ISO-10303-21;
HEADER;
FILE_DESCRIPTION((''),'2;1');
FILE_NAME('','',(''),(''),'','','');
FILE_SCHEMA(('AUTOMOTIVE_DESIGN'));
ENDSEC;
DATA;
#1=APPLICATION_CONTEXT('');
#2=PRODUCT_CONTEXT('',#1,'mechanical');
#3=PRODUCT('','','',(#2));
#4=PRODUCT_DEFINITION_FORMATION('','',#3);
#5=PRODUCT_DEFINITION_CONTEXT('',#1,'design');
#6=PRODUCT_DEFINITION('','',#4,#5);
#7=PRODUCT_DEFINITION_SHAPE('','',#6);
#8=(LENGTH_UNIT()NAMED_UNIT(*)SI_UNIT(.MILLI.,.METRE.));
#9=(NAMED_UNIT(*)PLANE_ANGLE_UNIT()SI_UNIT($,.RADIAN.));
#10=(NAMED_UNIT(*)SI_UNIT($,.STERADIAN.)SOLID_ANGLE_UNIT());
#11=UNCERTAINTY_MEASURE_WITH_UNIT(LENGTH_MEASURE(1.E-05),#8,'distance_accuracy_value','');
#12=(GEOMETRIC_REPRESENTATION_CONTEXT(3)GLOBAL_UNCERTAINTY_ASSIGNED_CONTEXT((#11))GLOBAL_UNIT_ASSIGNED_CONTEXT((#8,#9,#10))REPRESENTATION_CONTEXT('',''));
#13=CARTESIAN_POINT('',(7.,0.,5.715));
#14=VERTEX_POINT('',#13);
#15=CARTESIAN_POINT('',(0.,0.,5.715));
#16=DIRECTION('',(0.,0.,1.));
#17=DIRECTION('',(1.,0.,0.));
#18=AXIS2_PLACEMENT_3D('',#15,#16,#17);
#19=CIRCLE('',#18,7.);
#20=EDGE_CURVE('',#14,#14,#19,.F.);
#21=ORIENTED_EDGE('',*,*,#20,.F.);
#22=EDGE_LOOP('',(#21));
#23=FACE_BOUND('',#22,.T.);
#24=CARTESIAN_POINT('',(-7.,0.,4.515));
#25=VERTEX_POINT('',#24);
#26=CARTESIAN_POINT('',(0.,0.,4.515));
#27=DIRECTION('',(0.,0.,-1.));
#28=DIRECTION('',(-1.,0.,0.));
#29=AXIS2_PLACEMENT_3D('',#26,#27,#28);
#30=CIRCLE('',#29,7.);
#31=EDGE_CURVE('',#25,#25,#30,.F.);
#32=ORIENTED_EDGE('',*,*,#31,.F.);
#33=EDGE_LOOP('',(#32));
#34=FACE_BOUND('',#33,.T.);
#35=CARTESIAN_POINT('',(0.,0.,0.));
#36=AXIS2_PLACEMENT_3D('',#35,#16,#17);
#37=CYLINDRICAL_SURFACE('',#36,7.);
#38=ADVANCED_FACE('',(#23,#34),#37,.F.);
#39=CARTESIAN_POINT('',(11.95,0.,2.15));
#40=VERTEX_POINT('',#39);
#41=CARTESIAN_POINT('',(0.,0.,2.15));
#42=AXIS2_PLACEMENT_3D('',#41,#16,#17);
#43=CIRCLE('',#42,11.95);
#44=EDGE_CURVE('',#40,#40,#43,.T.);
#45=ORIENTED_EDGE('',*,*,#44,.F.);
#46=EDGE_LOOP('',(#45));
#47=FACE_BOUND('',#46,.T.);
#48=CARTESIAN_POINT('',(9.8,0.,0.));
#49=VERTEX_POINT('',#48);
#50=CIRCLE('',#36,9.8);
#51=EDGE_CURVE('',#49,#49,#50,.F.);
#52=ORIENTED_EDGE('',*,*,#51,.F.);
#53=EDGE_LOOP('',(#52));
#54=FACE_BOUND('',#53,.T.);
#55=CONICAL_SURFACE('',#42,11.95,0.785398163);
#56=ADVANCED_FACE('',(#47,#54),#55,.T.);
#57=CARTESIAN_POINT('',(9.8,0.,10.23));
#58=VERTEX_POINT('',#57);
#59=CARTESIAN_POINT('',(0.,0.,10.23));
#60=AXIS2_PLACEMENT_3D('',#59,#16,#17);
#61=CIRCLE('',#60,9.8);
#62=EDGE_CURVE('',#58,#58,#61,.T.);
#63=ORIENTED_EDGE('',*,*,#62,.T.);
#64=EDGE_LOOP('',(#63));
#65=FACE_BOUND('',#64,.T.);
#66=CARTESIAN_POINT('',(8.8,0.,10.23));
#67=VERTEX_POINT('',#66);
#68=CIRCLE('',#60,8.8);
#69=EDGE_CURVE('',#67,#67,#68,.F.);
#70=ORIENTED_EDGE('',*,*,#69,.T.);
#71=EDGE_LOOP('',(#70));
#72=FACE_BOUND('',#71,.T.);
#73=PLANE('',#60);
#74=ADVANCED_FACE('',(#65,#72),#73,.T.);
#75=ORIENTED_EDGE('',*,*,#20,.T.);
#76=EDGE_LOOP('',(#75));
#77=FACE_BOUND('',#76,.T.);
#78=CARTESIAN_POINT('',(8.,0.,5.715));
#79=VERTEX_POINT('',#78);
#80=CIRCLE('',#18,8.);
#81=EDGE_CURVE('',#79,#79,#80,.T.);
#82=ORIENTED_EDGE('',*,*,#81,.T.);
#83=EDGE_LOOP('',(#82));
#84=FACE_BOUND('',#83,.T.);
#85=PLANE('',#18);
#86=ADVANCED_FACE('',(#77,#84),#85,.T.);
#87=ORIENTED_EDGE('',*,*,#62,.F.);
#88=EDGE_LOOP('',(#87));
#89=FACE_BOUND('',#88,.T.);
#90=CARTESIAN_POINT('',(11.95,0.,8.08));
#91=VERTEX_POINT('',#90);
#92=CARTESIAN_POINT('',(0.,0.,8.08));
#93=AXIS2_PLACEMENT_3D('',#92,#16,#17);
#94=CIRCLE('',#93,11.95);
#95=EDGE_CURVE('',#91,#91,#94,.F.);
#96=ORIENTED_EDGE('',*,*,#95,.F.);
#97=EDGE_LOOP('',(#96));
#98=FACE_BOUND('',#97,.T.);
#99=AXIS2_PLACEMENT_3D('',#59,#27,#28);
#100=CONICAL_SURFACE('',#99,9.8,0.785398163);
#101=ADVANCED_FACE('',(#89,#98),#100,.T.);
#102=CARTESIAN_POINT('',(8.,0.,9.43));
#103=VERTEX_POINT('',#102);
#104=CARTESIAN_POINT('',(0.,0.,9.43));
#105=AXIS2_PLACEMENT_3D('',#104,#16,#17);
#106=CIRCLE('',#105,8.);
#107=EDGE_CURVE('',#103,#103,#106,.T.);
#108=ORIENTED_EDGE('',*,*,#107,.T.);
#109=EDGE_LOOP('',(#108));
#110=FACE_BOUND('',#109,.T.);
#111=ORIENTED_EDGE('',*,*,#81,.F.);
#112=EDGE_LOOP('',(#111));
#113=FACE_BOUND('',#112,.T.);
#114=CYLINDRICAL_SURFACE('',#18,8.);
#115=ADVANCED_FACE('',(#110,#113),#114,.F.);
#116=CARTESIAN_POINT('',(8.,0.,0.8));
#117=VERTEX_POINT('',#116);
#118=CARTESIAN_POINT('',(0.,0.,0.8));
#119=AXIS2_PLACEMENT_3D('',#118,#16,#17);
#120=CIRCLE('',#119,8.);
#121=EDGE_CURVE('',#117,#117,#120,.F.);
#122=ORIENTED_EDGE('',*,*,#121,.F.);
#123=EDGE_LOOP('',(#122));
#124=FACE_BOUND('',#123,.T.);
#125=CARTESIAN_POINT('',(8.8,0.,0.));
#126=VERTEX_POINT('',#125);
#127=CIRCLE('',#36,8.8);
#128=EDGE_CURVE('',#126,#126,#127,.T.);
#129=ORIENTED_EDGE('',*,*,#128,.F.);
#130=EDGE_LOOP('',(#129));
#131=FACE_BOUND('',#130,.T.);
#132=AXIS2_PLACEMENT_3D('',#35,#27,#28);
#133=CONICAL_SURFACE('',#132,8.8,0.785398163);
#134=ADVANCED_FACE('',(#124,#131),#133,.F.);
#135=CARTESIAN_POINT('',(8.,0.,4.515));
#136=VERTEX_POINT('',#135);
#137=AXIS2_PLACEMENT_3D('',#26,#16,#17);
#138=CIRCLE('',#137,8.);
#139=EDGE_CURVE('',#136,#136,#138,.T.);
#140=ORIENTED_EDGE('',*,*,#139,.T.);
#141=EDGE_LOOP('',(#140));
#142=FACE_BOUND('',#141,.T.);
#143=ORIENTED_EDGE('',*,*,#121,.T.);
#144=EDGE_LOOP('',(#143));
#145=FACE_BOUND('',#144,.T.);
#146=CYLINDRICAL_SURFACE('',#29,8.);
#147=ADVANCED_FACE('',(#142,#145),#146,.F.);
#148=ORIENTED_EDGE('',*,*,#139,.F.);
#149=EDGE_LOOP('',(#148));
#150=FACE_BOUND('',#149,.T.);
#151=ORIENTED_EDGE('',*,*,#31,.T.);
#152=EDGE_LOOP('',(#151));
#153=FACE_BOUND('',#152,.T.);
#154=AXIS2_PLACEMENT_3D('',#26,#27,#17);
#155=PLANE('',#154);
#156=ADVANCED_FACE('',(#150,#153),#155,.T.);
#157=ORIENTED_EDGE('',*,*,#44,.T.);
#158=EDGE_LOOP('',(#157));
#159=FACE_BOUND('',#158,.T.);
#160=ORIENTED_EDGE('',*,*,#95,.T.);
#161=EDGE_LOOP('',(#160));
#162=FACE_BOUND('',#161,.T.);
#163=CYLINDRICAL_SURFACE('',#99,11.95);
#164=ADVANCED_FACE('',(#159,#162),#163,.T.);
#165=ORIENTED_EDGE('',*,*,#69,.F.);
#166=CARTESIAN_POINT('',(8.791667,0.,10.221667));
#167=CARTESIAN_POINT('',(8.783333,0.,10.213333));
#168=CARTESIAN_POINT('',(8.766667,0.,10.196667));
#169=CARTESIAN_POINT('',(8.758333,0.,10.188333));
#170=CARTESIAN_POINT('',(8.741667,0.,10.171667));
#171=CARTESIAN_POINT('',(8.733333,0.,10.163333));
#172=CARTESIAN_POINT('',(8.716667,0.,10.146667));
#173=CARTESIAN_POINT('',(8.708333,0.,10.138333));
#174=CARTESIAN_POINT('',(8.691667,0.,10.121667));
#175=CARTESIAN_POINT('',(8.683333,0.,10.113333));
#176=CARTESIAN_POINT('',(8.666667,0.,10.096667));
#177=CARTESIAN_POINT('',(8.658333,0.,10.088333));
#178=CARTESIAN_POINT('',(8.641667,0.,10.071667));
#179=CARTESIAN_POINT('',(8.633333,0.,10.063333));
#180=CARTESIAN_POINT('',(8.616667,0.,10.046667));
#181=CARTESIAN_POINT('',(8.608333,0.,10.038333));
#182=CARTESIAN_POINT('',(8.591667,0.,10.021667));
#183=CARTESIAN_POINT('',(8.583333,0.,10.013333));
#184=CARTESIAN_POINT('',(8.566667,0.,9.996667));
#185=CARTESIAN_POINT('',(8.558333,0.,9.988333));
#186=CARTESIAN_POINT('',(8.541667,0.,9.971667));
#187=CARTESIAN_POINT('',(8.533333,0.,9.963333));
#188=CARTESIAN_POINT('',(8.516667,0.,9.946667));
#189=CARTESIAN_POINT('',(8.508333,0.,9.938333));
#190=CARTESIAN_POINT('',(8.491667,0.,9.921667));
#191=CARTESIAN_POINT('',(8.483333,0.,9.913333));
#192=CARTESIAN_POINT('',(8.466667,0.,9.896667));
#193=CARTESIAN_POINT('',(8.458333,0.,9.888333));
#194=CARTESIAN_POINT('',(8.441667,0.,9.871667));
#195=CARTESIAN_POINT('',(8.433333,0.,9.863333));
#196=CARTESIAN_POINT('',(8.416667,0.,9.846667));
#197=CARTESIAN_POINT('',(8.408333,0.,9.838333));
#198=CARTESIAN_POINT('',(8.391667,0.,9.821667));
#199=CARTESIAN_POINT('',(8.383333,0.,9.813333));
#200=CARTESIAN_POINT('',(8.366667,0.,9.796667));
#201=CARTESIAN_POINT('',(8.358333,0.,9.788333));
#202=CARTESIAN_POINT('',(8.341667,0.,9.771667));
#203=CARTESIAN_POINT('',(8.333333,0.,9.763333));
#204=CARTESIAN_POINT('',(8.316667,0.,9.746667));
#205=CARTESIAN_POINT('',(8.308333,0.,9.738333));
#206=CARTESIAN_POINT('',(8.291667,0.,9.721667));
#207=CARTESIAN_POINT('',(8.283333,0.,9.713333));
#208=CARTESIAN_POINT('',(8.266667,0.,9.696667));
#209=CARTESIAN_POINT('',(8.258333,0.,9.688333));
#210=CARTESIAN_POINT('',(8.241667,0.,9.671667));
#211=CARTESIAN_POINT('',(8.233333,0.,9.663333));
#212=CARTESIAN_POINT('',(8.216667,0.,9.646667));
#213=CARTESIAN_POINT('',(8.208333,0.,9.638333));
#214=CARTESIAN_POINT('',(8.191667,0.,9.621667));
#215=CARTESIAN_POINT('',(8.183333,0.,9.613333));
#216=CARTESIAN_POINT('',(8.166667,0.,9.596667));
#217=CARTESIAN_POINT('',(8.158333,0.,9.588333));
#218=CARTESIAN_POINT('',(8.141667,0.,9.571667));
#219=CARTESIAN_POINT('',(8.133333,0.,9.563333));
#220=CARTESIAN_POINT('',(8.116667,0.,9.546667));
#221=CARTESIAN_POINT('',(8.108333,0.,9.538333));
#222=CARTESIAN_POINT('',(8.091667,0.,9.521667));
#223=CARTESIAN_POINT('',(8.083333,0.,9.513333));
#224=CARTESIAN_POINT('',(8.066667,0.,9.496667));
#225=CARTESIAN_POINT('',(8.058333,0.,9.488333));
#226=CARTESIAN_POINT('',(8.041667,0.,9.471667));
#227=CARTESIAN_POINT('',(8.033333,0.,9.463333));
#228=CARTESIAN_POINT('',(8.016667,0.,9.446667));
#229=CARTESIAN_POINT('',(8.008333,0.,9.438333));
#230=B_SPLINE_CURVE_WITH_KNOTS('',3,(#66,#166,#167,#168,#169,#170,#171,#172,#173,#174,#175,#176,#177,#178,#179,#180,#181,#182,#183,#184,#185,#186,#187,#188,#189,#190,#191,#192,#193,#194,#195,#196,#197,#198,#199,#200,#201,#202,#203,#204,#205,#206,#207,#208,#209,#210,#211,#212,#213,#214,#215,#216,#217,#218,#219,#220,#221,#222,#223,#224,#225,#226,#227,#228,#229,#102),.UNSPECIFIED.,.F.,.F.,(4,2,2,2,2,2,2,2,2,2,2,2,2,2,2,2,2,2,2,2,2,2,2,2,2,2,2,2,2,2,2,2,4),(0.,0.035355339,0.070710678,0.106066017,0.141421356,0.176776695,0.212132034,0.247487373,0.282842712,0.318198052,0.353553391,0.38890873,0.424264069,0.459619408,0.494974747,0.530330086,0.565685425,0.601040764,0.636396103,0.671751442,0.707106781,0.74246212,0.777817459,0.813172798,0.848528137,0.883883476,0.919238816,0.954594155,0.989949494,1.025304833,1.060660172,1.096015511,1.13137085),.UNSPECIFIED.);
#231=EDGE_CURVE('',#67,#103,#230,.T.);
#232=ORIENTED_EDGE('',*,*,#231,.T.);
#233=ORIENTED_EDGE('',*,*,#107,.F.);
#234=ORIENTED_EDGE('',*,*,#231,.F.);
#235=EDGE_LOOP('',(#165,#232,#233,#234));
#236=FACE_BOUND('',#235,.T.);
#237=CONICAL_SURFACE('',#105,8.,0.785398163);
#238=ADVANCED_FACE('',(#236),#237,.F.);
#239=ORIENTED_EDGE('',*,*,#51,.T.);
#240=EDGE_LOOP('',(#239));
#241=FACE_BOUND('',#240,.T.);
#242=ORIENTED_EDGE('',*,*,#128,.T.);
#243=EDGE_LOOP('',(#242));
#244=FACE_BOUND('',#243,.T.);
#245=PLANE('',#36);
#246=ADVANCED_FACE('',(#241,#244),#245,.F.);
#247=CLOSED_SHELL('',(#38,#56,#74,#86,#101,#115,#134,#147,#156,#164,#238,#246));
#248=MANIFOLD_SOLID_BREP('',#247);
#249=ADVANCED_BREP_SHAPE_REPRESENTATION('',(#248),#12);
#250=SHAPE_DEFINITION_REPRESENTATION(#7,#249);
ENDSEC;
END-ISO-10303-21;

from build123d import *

# Parameters (mm, degrees)
SKETCH_1_R          = 11.95
EXTRUDE_1_DEPTH     = 10.23
SKETCH_2_R          = 7
CUT_EXTRUDE_1_DEPTH = 20.754946216
CHAMFER_1_SIZE      = 2.15
SKETCH_3_R          = 8
CUT_EXTRUDE_2_DEPTH = 4.515
CHAMFER_2_SIZE      = 0.8


with BuildPart() as part:
    # Эскиз1 → Бобышка-Вытянуть1 (new body)
    with BuildSketch(Plane.XY):
        Circle(SKETCH_1_R)
    extrude(amount=EXTRUDE_1_DEPTH)

    # Эскиз2 → Вырез-Вытянуть1 (cut, through all)
    with BuildSketch(Plane.XY.offset(10.23)):
        Circle(SKETCH_2_R)
    extrude(amount=-CUT_EXTRUDE_1_DEPTH, mode=Mode.SUBTRACT)

    # Фаска1
    chamfer_1_edges = [part.edges().sort_by_distance(p)[0] for p in [
        (-11.95, 0, 0),
        (-11.95, 0, 10.23),
    ]]
    chamfer(chamfer_1_edges, length=CHAMFER_1_SIZE)

    # Эскиз3 → Вырез-Вытянуть2 (cut)
    with BuildSketch(Plane.XY.offset(10.23)):
        Circle(SKETCH_3_R)
    cut_extrude_2 = extrude(amount=-CUT_EXTRUDE_2_DEPTH, mode=Mode.SUBTRACT)

    # Зеркальное отражение1: Вырез-Вытянуть2 across plane
    add(cut_extrude_2.mirror(Plane(origin=(0, 0, 5.115), x_dir=(1, 0, 0), z_dir=(0, 0, -1))), mode=Mode.SUBTRACT)

    # Фаска2
    chamfer_2_edges = [part.edges().sort_by_distance(p)[0] for p in [
        (-8, 0, 10.23),
        (-8, 0, 0),
    ]]
    chamfer(chamfer_2_edges, length=CHAMFER_2_SIZE)


solid = part.part
